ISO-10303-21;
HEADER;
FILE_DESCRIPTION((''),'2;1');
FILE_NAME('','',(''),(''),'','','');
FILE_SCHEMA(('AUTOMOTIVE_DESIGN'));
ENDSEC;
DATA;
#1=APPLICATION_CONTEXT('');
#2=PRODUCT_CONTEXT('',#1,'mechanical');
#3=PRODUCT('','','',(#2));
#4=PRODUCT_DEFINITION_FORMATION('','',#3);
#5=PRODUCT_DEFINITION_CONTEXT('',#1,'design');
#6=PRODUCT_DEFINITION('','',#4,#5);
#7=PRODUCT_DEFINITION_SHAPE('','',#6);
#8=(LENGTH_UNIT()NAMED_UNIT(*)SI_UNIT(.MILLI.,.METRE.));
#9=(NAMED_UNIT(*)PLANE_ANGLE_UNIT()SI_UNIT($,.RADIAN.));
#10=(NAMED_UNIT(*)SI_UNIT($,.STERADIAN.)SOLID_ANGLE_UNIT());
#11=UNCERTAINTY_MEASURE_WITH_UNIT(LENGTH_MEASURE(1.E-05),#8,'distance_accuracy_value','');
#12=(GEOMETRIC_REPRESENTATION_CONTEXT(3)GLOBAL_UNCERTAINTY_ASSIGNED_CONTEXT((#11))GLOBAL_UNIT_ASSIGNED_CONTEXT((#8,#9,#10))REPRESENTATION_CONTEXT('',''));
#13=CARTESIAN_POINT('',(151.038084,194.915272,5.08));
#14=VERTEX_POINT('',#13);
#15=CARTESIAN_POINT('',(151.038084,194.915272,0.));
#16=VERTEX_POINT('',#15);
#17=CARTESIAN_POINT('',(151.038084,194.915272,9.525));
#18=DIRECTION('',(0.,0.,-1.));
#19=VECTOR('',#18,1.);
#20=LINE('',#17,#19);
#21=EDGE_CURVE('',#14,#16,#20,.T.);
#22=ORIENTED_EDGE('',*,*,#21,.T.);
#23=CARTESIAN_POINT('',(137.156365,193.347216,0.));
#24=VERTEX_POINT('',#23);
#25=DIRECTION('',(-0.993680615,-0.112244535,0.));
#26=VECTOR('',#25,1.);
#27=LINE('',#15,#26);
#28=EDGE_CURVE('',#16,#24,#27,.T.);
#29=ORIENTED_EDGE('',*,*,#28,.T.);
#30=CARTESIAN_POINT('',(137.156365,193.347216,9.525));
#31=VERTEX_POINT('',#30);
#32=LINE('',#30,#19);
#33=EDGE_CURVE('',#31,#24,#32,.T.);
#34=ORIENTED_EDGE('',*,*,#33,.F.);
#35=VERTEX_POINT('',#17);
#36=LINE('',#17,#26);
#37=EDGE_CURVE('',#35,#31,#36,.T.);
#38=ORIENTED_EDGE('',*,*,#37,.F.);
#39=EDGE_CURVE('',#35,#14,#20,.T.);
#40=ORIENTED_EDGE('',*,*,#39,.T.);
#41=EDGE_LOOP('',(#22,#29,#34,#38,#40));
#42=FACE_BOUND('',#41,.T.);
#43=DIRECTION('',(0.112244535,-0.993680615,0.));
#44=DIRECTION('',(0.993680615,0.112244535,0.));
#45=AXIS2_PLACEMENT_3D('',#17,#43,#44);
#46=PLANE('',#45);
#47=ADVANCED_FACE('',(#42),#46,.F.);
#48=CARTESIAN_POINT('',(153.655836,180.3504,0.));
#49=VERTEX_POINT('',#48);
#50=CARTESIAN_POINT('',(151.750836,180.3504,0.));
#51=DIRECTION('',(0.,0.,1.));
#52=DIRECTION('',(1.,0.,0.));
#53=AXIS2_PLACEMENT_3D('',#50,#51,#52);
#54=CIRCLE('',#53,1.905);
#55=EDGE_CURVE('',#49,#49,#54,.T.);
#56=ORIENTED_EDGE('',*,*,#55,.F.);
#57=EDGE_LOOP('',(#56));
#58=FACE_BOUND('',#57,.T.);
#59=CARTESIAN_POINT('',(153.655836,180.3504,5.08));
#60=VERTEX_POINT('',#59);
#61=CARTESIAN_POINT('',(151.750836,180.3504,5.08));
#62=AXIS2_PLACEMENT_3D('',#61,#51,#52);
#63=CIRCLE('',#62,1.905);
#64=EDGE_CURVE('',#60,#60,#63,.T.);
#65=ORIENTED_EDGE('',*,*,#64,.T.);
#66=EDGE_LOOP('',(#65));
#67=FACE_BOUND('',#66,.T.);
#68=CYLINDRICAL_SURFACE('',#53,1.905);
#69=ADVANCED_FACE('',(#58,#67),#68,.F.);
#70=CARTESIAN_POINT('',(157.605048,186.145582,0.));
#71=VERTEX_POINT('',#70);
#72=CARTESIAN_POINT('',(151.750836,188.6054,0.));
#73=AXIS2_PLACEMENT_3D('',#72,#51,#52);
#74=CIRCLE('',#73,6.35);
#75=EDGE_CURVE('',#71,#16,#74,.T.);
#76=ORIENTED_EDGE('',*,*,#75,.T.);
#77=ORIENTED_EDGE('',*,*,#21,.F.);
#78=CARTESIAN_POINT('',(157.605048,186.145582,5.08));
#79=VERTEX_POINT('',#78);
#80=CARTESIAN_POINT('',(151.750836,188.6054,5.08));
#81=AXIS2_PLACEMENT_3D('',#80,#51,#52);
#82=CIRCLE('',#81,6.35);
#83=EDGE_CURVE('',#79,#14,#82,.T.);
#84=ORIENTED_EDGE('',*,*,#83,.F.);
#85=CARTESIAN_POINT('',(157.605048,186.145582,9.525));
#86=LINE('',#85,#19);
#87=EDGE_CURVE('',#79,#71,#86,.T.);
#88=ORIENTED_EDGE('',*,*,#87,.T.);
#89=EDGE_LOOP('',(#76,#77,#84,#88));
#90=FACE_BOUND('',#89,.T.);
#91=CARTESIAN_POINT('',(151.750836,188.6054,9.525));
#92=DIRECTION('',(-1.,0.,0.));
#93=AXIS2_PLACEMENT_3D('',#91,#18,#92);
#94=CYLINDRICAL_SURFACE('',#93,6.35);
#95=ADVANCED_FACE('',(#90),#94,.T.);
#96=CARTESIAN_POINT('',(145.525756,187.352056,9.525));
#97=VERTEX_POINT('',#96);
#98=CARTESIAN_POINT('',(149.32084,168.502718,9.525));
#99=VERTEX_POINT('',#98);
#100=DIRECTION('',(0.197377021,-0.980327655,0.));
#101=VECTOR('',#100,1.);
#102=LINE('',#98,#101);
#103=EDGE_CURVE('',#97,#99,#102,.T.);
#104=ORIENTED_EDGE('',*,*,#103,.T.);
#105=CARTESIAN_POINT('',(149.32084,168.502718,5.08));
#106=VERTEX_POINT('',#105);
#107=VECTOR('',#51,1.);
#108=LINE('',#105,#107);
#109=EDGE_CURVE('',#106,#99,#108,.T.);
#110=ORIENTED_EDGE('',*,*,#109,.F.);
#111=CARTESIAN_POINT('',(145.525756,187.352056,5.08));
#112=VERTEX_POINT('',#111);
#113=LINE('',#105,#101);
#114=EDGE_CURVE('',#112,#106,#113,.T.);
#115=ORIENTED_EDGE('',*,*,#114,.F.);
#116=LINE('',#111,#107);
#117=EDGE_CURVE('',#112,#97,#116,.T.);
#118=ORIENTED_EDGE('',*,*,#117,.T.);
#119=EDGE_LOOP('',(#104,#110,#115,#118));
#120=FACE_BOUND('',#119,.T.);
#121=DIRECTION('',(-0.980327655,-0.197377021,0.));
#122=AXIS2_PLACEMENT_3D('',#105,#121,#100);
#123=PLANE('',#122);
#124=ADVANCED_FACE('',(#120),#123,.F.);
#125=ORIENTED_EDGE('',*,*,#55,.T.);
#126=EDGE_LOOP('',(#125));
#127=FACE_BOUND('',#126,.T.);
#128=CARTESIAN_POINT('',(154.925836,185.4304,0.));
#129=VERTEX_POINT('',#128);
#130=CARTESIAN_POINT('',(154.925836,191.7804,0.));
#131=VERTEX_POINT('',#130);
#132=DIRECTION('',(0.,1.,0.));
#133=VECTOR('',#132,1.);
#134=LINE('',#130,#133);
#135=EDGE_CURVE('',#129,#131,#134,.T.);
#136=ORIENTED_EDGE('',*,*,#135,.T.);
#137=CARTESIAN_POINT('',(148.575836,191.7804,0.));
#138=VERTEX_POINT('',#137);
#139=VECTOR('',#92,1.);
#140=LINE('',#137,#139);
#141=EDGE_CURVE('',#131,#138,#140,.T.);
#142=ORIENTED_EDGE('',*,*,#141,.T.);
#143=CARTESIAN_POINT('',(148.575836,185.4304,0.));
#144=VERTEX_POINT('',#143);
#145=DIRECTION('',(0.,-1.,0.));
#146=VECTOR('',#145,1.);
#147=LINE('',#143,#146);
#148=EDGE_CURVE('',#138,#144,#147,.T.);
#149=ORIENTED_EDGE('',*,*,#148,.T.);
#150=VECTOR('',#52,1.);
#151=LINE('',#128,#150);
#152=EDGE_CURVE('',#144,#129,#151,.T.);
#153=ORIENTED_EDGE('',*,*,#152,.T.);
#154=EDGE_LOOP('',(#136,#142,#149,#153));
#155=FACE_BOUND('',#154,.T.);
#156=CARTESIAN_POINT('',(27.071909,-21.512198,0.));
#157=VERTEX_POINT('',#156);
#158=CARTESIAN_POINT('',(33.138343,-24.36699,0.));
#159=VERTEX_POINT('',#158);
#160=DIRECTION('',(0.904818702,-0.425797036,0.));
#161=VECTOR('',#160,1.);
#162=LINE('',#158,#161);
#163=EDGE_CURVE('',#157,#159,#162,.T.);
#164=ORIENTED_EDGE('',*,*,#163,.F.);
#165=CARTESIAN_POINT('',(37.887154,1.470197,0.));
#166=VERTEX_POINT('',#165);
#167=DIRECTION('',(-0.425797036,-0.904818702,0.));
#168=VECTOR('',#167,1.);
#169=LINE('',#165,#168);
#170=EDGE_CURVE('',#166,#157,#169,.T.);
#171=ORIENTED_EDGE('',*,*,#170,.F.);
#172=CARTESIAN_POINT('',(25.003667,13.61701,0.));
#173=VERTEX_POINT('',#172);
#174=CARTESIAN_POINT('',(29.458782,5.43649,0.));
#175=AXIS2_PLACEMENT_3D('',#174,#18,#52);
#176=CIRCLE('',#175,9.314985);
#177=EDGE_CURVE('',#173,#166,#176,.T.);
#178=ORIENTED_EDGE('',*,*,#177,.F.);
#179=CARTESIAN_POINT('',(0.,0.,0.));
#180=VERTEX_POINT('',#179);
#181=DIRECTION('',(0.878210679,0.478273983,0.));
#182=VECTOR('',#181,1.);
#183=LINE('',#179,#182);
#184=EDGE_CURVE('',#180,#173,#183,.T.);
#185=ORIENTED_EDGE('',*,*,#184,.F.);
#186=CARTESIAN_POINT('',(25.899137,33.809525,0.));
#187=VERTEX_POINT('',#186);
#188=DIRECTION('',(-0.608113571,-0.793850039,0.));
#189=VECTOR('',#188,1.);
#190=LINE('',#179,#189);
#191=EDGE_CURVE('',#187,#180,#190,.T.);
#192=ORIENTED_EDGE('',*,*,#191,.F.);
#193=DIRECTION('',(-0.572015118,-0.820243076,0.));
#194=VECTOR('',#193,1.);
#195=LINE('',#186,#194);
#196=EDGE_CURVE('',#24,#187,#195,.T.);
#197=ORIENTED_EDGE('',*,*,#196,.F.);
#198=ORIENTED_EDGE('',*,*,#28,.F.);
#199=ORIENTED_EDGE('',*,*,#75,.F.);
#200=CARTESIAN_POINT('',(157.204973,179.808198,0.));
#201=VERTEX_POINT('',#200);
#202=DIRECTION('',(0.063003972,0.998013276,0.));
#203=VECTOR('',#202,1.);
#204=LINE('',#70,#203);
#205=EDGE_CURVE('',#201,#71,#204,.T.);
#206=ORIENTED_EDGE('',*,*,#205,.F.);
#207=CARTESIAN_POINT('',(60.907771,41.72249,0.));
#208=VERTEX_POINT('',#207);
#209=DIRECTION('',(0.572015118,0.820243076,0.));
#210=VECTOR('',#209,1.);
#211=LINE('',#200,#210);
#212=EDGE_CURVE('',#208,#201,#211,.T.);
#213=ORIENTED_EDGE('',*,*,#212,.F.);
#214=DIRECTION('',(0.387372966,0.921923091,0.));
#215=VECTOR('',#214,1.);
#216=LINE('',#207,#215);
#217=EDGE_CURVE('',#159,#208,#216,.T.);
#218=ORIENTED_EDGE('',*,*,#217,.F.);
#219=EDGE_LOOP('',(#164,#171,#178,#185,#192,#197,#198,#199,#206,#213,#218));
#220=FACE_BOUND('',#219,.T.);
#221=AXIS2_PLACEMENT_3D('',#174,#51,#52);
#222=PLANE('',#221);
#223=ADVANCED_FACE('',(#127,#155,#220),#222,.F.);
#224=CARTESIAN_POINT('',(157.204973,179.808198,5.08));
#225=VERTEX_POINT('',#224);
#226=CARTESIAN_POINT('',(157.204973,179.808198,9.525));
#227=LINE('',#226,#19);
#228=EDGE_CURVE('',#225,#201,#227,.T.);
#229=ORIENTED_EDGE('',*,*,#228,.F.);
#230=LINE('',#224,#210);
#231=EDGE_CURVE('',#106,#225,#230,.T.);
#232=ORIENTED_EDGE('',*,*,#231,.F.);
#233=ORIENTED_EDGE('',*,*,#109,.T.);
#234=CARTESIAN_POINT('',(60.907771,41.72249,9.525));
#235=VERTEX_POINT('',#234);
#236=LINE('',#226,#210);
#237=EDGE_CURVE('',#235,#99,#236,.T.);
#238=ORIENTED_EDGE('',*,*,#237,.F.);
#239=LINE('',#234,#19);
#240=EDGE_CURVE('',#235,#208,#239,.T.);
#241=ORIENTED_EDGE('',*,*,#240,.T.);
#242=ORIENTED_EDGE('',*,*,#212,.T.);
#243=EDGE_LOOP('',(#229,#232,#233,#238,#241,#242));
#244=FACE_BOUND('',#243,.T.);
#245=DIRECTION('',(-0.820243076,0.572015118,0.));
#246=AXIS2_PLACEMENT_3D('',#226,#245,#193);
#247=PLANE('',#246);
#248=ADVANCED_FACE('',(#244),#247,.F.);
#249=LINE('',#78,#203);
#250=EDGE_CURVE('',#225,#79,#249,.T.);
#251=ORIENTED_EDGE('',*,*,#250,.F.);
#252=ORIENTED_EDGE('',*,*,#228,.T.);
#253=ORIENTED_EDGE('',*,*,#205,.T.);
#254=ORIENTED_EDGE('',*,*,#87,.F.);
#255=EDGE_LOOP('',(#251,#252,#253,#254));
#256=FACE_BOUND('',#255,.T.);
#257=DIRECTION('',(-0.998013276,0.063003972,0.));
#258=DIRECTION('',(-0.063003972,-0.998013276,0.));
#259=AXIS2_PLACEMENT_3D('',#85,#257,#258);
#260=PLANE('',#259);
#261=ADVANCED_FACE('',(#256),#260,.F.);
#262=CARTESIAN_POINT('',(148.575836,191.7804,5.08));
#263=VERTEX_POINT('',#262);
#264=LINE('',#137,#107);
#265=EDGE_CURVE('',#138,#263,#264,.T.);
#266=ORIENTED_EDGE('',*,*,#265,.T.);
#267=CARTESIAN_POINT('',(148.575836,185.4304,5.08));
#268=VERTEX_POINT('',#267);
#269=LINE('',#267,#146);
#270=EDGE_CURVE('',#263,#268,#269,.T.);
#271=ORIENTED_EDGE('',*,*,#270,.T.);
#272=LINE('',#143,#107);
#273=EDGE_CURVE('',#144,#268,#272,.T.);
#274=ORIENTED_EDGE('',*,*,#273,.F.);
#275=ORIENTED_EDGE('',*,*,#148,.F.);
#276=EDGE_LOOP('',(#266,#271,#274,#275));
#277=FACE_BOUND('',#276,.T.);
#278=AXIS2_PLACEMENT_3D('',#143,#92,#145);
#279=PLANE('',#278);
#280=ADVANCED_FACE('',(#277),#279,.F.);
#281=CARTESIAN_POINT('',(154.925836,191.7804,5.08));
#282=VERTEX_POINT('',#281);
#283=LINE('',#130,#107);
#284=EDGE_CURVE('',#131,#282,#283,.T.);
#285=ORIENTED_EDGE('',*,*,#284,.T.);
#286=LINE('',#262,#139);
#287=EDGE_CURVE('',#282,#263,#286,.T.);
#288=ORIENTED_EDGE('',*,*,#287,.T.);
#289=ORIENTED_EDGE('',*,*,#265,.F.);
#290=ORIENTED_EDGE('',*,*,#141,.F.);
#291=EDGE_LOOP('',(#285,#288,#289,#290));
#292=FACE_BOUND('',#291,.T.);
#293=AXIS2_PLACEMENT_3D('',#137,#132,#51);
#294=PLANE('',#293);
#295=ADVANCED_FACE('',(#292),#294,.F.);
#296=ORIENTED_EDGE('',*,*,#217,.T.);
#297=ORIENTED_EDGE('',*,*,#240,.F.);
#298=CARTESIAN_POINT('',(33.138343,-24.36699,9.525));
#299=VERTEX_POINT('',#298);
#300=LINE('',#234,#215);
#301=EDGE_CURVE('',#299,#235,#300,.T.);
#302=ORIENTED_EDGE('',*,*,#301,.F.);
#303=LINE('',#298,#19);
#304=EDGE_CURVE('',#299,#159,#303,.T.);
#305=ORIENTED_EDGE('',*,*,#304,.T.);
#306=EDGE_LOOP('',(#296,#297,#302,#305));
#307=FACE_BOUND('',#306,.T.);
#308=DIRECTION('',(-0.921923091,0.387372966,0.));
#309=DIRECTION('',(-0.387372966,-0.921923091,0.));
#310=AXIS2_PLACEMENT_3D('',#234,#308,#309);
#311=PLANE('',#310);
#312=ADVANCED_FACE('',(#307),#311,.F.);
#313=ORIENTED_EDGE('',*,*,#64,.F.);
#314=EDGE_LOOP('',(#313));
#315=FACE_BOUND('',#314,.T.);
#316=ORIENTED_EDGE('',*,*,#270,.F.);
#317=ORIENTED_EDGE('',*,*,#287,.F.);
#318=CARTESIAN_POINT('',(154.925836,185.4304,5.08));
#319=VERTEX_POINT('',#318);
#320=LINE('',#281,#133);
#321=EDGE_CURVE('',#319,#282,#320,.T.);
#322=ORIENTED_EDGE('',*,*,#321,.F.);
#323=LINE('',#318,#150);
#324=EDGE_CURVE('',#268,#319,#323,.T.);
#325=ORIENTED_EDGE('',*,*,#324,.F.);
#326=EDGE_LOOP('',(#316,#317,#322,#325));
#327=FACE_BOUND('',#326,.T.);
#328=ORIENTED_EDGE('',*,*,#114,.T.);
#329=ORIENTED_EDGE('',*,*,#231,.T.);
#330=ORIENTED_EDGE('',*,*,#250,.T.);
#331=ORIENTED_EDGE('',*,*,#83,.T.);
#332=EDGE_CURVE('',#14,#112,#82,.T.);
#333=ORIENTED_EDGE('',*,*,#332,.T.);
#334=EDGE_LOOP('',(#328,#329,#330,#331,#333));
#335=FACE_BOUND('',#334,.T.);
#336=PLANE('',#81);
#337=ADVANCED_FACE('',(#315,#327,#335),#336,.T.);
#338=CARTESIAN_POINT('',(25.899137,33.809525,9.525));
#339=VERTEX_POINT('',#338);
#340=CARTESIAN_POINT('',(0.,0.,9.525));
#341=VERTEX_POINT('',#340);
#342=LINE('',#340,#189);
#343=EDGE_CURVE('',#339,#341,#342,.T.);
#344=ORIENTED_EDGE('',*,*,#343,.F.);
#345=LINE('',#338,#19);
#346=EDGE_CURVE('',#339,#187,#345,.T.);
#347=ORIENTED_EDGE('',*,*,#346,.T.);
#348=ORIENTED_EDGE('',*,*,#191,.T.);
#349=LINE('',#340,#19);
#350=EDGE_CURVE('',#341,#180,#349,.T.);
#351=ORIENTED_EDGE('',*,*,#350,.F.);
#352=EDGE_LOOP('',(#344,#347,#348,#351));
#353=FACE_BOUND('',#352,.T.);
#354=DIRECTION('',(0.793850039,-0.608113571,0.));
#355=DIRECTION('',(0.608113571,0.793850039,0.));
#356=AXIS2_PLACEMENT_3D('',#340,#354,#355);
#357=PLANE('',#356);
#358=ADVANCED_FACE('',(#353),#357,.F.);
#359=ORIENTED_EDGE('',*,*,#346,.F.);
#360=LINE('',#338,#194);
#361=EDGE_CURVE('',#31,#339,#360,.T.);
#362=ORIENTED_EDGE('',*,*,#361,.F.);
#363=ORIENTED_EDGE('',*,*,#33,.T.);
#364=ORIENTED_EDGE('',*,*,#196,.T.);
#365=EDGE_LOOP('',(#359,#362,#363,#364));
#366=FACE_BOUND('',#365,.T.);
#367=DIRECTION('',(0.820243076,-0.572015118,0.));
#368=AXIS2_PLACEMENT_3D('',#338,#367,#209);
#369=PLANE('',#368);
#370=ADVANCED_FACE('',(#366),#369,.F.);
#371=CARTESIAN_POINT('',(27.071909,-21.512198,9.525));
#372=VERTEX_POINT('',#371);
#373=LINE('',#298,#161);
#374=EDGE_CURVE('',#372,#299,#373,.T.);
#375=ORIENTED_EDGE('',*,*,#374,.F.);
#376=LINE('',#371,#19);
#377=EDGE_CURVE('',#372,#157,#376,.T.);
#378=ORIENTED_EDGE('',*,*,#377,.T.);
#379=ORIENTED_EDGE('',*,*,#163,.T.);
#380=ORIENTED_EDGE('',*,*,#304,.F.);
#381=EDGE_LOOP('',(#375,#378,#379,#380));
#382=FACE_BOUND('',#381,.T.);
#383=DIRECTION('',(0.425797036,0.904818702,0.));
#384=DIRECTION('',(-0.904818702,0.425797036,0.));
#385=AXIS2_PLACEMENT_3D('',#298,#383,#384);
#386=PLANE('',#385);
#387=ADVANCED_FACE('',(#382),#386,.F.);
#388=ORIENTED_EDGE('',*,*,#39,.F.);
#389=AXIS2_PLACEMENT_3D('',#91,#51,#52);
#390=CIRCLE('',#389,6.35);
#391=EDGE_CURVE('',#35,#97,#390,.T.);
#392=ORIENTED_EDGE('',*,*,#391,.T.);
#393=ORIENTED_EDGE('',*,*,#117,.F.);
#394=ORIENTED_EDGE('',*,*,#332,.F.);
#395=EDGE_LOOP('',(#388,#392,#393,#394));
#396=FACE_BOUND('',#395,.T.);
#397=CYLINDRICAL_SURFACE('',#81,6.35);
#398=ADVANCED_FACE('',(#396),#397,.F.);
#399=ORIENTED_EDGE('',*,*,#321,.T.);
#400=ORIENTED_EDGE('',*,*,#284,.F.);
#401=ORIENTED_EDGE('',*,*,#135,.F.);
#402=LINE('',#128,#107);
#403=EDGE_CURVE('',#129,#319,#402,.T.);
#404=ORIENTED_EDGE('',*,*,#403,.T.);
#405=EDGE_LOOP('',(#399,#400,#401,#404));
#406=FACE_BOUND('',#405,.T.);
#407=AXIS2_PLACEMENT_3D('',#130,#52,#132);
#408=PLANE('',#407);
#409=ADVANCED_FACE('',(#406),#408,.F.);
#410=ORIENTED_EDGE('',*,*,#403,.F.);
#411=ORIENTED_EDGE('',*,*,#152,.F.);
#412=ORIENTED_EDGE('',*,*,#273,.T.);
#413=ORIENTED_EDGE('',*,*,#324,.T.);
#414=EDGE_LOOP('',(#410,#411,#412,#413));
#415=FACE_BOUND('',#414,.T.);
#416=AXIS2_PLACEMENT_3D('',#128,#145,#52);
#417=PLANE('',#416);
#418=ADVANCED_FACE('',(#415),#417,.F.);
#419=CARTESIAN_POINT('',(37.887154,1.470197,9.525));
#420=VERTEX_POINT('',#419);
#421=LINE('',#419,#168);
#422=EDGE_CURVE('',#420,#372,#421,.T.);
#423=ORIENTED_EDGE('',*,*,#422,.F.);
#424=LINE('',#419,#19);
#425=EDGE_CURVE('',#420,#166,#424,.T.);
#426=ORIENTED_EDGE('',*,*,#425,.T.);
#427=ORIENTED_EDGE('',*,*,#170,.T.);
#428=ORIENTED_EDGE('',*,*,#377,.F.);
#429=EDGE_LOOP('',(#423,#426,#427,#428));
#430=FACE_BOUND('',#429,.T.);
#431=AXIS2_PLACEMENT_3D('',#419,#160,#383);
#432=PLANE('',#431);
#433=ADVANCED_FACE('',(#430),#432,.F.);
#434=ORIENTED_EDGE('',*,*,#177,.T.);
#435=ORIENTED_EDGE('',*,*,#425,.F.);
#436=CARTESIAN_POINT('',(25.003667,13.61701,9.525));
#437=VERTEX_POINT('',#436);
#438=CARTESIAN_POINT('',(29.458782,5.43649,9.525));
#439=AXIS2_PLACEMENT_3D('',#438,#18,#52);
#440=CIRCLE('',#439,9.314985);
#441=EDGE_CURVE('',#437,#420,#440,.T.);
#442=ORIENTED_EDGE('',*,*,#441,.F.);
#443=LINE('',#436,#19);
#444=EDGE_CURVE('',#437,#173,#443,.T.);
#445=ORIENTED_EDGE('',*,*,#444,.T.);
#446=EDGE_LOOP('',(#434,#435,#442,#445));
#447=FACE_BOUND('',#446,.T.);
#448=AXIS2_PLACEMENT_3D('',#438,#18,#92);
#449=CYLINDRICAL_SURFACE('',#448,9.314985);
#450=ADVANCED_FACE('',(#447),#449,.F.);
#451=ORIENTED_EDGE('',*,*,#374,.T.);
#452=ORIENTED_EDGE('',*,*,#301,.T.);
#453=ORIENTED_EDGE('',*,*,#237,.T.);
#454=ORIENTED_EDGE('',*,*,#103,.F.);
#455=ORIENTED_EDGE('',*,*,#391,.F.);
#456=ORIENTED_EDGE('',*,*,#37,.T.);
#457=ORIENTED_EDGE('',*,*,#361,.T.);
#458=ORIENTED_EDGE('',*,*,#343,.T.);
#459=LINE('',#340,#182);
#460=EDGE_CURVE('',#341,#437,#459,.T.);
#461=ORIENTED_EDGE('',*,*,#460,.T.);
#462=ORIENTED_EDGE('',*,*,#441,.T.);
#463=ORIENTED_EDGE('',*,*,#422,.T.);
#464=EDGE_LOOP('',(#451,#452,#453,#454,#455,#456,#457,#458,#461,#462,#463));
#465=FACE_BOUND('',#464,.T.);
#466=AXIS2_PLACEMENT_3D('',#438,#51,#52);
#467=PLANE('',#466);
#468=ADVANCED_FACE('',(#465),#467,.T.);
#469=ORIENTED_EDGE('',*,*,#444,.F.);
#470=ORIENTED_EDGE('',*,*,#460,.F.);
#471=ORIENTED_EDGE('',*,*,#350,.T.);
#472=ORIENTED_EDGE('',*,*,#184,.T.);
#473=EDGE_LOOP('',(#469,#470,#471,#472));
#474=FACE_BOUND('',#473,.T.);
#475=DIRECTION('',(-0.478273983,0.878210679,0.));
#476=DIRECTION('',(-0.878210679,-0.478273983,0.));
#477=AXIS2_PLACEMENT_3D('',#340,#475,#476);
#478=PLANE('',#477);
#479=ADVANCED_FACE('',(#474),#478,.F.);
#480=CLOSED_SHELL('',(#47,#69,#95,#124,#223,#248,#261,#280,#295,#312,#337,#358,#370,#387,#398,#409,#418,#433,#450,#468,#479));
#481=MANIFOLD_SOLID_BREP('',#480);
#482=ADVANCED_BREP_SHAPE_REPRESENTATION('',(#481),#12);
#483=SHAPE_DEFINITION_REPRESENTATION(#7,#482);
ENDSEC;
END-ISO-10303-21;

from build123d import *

# Parameters (mm, degrees)
BOSS_EXTRUDE1_DEPTH = 9.525
CUT_EXTRUDE1_START  = -4.445
CUT_EXTRUDE1_DEPTH  = 4.445
SKETCH3_R           = 1.905
SKETCH3_W           = 6.35
SKETCH3_H           = 6.35
CUT_EXTRUDE2_DEPTH  = 252.056346263


with BuildPart() as part:
    # Sketch1 → Boss-Extrude1 (new body)
    with BuildSketch(Plane.XY):
        with BuildLine():
            Line((37.887154169, 1.47019733), (27.071909447, -21.512197706))
            Line((27.071909447, -21.512197706), (33.138342598, -24.366989778))
            Line((33.138342598, -24.366989778), (60.90777145, 41.722489626))
            Line((60.90777145, 41.722489626), (157.204972785, 179.808197732))
            Line((157.204972785, 179.808197732), (157.605048009, 186.145582036))
            ThreePointArc((157.605048009, 186.145582036), (156.833701368, 192.411577396), (151.038083589, 194.915272276))
            Line((151.038083589, 194.915272276), (137.156365398, 193.347216127))
            Line((137.156365398, 193.347216127), (25.899136681, 33.809524518))
            Line((25.899136681, 33.809524518), (0, 0))
            Line((0, 0), (25.00366663, 13.61700957))
            ThreePointArc((25.00366663, 13.61700957), (35.848848557, 12.214099668), (37.887154169, 1.47019733))
        make_face()
    extrude(amount=BOSS_EXTRUDE1_DEPTH)

    # Sketch2 → Cut-Extrude1 (cut)
    with BuildSketch(Plane.XY.offset(9.525).offset(CUT_EXTRUDE1_START)):
        with BuildLine():
            Line((149.320840168, 168.502718236), (145.525755772, 187.35205629))
            ThreePointArc((145.525755772, 187.35205629), (146.619175628, 192.34552843), (151.038083589, 194.915272276))
            ThreePointArc((151.038083589, 194.915272276), (156.833701368, 192.411577396), (157.605048009, 186.145582036))
            Line((157.605048009, 186.145582036), (157.204972785, 179.808197732))
            Line((157.204972785, 179.808197732), (149.320840168, 168.502718236))
        make_face()
    extrude(amount=CUT_EXTRUDE1_DEPTH, mode=Mode.SUBTRACT)

    # Sketch3 → Cut-Extrude2 (cut, through all)
    with BuildSketch(Plane.XY.offset(5.08)):
        with Locations((151.750836383, 180.350400371)):
            Circle(SKETCH3_R)
        with Locations((151.750836383, 188.605400371)):
            Rectangle(SKETCH3_W, SKETCH3_H)
    extrude(amount=-CUT_EXTRUDE2_DEPTH, mode=Mode.SUBTRACT)


solid = part.part
